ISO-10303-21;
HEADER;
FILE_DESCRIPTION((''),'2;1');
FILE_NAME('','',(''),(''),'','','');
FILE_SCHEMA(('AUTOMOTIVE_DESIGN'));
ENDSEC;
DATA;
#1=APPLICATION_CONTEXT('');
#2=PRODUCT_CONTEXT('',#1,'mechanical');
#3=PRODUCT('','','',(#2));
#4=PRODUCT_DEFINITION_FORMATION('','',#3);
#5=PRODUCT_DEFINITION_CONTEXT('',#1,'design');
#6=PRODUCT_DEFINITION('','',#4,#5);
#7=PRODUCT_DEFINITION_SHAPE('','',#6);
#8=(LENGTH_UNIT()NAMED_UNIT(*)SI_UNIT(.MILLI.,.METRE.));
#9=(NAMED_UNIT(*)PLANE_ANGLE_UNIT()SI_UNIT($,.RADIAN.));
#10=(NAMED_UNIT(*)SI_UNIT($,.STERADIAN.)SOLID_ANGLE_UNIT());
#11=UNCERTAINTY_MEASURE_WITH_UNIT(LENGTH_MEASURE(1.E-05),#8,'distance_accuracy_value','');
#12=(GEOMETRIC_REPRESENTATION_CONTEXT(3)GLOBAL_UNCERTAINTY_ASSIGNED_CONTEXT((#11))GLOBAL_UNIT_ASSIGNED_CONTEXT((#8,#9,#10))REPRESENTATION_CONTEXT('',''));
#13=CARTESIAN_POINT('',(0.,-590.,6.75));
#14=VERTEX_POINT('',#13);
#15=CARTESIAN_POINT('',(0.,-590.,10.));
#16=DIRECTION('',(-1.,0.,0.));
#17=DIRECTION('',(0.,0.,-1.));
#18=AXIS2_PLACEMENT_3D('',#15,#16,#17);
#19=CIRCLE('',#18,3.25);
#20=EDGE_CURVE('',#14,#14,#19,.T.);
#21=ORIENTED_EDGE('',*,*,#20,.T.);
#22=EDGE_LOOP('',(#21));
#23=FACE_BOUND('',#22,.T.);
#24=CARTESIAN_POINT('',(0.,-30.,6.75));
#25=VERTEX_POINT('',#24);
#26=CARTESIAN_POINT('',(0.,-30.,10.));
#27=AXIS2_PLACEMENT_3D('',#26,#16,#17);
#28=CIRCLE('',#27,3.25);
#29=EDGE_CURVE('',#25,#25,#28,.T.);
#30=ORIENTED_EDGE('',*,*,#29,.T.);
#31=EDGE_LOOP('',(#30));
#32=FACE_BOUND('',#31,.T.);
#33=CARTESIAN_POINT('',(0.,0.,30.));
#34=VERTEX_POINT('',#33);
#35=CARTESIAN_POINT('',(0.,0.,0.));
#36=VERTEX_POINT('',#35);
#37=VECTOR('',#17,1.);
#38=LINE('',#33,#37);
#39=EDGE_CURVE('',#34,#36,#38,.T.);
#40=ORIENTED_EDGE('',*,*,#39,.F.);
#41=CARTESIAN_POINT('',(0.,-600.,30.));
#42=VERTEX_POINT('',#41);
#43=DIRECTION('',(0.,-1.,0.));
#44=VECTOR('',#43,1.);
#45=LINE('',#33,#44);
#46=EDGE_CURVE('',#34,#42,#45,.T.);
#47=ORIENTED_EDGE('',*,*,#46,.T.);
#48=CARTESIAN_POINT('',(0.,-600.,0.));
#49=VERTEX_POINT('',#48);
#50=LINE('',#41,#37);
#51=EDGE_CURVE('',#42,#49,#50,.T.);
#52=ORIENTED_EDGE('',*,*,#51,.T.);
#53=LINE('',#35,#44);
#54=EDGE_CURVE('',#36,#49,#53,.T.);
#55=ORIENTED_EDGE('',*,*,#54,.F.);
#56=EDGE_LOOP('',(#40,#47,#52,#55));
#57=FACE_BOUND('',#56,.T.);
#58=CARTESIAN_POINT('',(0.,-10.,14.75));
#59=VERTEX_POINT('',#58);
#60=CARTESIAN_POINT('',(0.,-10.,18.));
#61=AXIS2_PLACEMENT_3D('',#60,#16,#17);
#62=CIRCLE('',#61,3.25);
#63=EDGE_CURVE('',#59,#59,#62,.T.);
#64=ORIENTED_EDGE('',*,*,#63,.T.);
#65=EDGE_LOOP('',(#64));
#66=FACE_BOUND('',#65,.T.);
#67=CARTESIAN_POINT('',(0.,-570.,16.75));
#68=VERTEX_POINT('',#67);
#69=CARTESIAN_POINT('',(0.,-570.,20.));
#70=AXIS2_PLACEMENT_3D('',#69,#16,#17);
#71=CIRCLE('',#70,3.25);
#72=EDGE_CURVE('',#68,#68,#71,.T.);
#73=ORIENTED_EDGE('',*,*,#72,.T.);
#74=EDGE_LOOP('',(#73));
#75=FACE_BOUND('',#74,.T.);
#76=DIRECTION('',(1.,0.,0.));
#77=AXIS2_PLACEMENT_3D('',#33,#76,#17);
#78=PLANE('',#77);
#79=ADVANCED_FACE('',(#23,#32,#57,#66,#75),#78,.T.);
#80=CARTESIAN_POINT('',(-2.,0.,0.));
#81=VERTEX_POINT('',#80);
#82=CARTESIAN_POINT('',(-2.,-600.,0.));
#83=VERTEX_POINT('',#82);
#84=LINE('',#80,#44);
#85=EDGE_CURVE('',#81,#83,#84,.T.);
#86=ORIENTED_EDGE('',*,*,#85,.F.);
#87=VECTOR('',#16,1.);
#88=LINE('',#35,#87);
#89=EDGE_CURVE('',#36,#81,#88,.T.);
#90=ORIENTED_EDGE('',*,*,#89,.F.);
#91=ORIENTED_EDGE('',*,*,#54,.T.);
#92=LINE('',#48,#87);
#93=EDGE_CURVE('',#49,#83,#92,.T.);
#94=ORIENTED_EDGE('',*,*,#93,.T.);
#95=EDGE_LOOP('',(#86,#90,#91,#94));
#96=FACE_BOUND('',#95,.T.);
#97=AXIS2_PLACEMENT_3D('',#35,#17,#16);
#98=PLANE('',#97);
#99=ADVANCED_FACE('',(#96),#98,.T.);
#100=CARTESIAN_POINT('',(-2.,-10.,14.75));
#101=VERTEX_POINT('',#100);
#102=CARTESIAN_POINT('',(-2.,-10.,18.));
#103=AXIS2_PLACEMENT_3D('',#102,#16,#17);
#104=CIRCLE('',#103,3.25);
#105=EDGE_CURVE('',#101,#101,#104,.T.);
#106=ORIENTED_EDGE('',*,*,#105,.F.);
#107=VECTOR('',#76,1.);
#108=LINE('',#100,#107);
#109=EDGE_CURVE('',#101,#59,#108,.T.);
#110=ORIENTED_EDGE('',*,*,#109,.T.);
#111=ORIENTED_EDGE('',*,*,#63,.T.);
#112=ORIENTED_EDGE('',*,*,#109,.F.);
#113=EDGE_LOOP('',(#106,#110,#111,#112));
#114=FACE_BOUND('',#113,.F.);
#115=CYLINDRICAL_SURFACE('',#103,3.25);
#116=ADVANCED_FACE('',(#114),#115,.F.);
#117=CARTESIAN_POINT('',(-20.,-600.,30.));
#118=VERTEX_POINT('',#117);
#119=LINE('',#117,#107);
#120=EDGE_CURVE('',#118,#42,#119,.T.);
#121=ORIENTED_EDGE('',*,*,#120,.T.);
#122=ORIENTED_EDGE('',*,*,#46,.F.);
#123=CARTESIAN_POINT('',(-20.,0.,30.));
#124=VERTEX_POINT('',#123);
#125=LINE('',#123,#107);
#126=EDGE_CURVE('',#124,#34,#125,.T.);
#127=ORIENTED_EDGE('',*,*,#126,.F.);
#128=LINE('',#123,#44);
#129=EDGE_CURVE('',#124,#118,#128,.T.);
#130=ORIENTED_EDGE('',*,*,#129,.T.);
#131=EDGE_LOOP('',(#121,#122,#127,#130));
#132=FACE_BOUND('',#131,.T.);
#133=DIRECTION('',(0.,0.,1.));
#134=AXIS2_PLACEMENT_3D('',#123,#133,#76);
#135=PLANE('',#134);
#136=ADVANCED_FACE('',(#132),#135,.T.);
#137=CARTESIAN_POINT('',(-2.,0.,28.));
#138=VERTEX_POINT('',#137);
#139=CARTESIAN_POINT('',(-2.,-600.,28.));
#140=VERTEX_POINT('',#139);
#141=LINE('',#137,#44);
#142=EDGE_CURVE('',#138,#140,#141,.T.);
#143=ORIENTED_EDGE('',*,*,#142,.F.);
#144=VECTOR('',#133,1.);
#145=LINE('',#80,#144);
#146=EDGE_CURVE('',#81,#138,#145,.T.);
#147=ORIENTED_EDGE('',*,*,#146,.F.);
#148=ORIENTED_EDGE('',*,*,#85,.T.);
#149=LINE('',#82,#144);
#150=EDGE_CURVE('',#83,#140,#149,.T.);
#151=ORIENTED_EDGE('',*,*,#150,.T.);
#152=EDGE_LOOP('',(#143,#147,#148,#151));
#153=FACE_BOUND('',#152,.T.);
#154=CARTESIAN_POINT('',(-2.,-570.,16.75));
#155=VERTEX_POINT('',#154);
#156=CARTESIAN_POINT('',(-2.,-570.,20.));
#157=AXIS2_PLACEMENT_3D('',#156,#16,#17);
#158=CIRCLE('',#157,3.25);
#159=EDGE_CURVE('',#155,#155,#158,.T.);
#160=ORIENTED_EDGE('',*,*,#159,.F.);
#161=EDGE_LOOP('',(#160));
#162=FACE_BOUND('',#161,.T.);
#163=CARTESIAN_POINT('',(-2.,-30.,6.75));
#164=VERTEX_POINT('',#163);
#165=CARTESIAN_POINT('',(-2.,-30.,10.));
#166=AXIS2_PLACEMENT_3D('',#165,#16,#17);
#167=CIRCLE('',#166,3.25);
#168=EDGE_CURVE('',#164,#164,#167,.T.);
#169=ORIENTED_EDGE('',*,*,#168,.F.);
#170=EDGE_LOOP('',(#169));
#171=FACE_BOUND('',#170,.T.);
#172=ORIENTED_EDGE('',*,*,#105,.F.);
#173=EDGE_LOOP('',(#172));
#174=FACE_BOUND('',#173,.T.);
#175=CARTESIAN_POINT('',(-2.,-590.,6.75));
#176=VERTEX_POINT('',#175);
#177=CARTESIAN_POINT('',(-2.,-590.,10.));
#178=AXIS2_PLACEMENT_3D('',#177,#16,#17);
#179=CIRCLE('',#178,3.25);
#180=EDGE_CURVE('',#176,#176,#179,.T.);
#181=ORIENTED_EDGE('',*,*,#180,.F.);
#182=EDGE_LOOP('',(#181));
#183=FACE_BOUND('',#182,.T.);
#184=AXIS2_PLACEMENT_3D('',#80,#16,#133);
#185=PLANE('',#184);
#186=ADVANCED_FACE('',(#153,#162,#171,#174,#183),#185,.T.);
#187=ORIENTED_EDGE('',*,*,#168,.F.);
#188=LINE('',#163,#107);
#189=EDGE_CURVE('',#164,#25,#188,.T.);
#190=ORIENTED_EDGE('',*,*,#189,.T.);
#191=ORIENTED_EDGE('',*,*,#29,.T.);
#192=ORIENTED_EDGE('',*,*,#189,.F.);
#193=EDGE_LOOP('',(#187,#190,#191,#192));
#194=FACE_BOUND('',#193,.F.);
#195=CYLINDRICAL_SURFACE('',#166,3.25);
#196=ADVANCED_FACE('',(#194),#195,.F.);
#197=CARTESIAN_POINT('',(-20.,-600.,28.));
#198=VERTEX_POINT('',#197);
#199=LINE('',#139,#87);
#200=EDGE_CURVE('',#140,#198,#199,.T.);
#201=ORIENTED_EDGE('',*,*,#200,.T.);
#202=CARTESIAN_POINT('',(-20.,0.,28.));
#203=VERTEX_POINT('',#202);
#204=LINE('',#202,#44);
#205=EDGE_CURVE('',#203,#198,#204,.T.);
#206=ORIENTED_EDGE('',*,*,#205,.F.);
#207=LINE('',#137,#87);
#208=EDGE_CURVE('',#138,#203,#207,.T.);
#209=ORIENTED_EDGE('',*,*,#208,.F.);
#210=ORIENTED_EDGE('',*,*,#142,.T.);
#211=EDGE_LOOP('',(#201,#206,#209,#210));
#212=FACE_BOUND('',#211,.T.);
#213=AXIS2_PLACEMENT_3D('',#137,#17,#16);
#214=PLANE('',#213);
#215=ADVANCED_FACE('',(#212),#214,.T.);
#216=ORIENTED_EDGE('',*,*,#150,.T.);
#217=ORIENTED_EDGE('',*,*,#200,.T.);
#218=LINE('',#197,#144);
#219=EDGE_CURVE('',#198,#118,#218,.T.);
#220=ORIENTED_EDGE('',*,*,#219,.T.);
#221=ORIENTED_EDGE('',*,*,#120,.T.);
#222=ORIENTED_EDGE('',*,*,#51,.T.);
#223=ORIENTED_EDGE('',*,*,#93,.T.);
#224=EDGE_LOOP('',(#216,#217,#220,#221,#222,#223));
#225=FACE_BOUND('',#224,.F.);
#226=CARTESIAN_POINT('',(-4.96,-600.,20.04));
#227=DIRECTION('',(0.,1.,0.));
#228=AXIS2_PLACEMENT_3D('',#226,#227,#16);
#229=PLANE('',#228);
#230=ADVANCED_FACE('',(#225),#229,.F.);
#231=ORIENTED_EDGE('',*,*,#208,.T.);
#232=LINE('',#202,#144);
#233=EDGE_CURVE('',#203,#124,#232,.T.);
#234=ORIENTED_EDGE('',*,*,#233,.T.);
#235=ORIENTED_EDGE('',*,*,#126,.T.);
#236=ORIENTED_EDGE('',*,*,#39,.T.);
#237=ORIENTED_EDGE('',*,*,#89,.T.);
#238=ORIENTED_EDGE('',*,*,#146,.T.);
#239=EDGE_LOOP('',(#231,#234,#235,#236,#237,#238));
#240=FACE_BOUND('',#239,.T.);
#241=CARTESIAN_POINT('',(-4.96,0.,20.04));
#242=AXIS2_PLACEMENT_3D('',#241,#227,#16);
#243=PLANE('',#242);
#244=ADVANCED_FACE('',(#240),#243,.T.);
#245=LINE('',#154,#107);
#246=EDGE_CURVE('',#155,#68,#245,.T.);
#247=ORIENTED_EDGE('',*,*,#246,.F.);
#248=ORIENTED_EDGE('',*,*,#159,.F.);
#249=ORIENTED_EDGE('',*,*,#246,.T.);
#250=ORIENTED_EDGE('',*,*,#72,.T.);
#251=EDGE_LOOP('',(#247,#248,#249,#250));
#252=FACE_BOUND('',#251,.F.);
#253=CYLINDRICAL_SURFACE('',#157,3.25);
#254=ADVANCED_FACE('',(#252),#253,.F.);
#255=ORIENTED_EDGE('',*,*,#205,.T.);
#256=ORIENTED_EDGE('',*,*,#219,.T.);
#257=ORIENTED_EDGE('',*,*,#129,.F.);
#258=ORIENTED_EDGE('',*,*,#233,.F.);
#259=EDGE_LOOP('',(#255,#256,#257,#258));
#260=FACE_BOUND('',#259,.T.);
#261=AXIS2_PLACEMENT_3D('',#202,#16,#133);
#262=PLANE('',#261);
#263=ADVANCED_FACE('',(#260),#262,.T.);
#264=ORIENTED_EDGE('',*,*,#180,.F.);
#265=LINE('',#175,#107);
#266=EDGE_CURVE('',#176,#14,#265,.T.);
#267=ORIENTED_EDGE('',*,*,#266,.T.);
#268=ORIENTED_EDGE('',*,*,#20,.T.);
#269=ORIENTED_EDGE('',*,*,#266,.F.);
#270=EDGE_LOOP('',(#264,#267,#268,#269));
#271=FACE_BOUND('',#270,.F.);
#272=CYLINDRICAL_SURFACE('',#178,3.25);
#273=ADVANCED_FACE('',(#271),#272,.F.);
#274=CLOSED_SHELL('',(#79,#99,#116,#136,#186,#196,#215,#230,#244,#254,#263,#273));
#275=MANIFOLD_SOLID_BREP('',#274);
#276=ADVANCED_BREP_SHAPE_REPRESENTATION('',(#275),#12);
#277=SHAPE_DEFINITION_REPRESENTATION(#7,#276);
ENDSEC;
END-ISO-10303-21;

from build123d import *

# Parameters (mm, degrees)
PAD_DEPTH   = 600
SKETCH001_R = 3.25
HOLE_DEPTH  = 25


with BuildPart() as part:
    # Sketch → Pad (new body)
    with BuildSketch(Plane.XZ):
        Polygon((-20, 30), (0, 30), (0, 0), (-2, 0), (-2, 28), (-20, 28), align=None)
    extrude(amount=PAD_DEPTH)

    # Sketch001 (on Face4 of Pad) → Hole (cut)
    with BuildSketch(Plane(origin=(-2, 0, 0), x_dir=(0, 0, -1), z_dir=(-1, 0, 0))):
        with Locations((-18, 10)):
            Circle(SKETCH001_R)
        with Locations((-10, 30)):
            Circle(SKETCH001_R)
        with Locations((-10, 590)):
            Circle(SKETCH001_R)
        with Locations((-20, 570)):
            Circle(SKETCH001_R)
    extrude(amount=-HOLE_DEPTH, mode=Mode.SUBTRACT)


solid = part.part
